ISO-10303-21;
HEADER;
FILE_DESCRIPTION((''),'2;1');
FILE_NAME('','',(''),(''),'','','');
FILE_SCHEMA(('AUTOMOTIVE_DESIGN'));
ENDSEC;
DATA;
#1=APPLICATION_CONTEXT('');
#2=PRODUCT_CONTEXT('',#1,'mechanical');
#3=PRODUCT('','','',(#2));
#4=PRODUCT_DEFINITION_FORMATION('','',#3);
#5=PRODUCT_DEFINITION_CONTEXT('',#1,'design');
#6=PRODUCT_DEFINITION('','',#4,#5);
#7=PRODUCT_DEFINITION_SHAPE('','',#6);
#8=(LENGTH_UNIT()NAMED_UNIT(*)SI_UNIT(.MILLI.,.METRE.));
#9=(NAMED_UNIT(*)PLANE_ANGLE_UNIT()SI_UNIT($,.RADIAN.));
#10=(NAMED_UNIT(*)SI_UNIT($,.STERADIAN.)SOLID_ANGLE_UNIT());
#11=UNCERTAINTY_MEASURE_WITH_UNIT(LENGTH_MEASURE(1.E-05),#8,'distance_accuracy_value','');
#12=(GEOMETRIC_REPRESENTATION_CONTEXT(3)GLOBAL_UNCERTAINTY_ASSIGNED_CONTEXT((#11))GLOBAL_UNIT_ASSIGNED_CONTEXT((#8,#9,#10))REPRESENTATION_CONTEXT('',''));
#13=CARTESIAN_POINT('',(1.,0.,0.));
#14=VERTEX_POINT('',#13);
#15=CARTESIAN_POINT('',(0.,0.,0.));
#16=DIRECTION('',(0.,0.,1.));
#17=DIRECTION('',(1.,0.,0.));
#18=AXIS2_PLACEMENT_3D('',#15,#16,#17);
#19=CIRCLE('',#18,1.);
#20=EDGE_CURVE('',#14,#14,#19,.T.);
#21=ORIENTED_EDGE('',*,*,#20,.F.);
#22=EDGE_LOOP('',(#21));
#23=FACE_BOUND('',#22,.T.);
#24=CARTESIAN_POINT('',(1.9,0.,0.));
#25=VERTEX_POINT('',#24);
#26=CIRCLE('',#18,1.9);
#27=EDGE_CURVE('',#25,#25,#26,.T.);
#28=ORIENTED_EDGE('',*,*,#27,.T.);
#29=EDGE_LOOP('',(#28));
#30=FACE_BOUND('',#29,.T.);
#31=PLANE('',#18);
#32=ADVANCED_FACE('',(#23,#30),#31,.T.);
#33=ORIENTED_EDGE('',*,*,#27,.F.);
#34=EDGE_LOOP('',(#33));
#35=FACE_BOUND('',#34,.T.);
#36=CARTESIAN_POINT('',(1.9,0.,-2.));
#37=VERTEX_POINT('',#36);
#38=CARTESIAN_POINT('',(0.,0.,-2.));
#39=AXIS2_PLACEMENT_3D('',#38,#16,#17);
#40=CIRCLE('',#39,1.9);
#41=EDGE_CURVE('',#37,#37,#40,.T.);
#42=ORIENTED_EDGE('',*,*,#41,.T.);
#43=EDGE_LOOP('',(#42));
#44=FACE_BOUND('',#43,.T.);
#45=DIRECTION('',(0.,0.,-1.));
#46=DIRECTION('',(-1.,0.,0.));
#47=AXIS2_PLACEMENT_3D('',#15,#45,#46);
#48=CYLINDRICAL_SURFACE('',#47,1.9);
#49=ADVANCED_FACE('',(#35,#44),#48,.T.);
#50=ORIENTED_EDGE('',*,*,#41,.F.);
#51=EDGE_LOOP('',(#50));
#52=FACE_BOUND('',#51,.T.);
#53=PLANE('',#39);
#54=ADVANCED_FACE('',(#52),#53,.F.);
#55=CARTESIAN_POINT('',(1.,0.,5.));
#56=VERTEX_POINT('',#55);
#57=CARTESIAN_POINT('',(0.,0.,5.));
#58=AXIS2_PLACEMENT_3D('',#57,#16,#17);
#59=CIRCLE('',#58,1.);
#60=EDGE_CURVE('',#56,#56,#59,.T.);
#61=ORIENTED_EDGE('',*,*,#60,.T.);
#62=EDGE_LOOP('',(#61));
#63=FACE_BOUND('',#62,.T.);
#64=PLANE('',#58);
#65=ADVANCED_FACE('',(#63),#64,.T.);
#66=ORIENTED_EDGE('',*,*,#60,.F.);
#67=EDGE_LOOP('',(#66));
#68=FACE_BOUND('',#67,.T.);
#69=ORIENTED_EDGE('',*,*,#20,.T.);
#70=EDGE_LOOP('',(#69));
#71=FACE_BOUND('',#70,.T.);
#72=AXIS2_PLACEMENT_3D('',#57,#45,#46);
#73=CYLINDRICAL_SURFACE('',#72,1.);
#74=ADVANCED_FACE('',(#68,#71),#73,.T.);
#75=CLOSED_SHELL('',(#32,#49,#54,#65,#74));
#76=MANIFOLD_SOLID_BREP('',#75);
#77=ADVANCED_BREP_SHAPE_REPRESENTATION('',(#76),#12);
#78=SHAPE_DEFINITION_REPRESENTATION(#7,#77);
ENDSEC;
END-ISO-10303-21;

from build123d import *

# Parameters (mm, degrees)
HEAD_ENVELOPE_START         = -2
SKETCH1_R                   = 1.9
HEAD_ENVELOPE_DEPTH         = 2
SKETCH2_R                   = 1
THREAD_MAJOR_ENVELOPE_DEPTH = 5


with BuildPart() as part:
    # Sketch1 → Head_Envelope (new body)
    with BuildSketch(Plane.XY.offset(HEAD_ENVELOPE_START)):
        Circle(SKETCH1_R)
    extrude(amount=HEAD_ENVELOPE_DEPTH)

    # Sketch2 → Thread_Major_Envelope (add)
    with BuildSketch(Plane.XY):
        Circle(SKETCH2_R)
    extrude(amount=THREAD_MAJOR_ENVELOPE_DEPTH)


solid = part.part
